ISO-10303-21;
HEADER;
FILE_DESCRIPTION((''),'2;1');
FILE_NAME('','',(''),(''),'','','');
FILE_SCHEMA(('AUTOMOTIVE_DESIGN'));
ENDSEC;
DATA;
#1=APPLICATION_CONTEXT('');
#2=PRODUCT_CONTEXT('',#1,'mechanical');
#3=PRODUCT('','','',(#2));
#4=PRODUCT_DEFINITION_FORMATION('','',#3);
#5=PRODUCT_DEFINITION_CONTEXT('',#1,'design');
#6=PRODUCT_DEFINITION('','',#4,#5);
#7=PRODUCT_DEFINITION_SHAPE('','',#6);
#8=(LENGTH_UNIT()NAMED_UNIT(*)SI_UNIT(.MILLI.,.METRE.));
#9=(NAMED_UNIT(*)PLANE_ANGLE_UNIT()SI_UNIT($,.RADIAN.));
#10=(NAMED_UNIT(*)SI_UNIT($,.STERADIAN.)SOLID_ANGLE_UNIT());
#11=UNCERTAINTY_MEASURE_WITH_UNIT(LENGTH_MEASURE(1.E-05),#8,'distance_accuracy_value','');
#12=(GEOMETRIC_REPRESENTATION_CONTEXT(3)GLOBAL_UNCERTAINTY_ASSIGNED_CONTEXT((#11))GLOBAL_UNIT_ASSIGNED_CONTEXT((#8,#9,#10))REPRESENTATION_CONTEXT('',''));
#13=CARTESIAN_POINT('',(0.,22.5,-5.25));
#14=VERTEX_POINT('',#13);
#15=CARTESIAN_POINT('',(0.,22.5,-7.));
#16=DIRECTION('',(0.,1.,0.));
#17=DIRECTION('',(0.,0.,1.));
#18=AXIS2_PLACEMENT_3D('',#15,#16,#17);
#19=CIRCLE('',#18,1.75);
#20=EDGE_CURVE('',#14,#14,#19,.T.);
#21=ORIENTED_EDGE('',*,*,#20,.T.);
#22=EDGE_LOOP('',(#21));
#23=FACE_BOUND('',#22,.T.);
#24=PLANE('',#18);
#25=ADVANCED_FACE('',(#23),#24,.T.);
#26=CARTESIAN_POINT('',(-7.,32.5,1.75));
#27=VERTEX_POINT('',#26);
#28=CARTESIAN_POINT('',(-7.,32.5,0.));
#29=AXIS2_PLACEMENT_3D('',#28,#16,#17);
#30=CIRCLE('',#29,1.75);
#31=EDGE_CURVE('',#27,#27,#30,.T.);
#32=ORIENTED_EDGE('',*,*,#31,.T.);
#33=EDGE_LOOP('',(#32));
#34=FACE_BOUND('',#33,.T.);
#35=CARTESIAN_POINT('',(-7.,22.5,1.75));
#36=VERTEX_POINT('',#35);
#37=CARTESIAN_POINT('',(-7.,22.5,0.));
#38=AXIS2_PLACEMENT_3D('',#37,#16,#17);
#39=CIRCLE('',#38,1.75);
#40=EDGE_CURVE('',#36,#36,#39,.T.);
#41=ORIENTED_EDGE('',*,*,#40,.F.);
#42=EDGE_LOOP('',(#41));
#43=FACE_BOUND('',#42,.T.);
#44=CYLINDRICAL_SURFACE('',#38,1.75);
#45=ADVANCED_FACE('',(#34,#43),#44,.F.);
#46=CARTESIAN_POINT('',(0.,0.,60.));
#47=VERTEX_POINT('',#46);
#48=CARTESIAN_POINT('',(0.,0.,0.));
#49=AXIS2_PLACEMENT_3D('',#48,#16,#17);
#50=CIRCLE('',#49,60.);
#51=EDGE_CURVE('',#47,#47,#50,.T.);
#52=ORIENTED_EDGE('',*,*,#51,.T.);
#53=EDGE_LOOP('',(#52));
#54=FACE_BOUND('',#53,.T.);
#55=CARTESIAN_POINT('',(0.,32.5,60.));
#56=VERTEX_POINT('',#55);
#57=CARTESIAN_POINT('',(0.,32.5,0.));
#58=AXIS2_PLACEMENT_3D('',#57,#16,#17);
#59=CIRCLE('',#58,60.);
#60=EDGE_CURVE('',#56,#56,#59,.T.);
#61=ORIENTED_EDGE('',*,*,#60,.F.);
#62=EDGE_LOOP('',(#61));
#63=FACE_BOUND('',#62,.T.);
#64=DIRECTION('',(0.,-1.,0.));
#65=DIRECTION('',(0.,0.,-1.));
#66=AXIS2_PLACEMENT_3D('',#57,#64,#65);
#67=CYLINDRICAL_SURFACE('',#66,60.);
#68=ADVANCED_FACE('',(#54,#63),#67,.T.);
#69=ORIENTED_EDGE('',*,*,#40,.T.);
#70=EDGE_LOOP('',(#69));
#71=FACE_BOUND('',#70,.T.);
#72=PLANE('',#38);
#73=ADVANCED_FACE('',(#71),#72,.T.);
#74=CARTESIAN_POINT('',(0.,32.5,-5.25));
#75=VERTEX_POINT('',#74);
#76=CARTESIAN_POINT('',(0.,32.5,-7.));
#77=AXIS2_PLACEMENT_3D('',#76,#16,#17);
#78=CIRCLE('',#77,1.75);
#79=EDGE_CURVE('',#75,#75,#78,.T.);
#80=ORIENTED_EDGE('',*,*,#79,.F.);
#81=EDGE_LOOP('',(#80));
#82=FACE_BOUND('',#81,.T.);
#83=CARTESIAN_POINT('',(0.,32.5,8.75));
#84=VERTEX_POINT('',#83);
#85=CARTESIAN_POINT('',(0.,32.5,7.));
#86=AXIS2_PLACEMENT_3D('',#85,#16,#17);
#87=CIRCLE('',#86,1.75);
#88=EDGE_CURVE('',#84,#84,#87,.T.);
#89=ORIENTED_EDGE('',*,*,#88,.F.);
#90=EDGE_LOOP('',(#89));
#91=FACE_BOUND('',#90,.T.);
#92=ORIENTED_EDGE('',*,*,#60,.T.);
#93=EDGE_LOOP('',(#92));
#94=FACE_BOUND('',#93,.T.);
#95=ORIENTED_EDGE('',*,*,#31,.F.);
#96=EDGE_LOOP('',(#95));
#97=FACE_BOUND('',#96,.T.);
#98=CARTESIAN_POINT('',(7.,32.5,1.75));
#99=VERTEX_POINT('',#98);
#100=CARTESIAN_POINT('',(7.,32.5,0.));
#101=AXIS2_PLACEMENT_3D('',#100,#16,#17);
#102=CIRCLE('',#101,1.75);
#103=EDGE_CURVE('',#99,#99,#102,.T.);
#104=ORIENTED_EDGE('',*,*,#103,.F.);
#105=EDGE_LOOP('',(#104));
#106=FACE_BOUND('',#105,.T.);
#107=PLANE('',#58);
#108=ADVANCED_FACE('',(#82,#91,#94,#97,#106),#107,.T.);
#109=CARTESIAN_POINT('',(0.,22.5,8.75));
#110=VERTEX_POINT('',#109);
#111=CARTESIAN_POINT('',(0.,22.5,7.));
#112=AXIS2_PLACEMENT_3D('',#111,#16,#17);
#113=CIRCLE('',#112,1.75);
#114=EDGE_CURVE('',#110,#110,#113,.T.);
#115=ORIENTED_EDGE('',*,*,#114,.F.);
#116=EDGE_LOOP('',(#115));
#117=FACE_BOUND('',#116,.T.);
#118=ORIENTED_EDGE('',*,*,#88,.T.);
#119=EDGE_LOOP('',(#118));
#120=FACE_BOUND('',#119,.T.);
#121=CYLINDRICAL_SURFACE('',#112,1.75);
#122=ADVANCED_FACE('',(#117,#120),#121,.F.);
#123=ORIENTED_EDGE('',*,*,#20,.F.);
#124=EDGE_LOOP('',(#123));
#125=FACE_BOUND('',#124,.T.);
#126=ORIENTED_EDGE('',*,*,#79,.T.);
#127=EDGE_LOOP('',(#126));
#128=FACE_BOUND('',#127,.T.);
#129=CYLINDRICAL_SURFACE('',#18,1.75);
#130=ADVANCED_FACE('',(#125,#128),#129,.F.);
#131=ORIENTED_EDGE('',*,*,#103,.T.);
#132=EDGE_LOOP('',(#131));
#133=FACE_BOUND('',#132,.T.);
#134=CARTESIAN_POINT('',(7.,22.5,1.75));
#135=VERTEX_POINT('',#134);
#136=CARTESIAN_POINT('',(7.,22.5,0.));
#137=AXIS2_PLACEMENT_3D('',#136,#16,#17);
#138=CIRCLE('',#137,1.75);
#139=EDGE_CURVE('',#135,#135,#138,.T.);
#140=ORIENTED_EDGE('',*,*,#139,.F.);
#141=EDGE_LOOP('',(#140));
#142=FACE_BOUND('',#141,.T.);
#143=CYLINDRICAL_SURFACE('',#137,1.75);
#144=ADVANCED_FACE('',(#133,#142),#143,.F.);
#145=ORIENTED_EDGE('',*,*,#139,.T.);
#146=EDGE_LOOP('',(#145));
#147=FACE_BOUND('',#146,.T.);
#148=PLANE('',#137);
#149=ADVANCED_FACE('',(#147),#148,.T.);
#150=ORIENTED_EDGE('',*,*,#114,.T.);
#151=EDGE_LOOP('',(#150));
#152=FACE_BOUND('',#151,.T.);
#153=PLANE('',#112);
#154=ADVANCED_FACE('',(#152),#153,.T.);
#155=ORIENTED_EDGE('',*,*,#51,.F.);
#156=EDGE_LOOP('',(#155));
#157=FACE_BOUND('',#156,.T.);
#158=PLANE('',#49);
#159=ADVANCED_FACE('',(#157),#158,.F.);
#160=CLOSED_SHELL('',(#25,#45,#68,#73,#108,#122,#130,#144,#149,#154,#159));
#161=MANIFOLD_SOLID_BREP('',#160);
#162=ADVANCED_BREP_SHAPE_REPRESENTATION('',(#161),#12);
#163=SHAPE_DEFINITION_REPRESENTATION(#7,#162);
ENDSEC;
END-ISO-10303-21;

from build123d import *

# Parameters (mm, degrees)
SKETCH_1_R          = 60
EXTRUDE_1_DEPTH     = 32.5
SKETCH_2_R          = 1.75
CUT_EXTRUDE_1_DEPTH = 10


with BuildPart() as part:
    # 草图1 → 凸台-拉伸1 (new body)
    with BuildSketch(Plane(origin=(0, 0, 0), x_dir=(1, 0, 0), z_dir=(0, 1, 0))):
        with Locations(Location((0, 0, 0), (0, 0, 270))):
            Circle(SKETCH_1_R)
    extrude(amount=EXTRUDE_1_DEPTH)

    # 草图2 → 切除-拉伸1 (cut)
    with BuildSketch(Plane(origin=(0, 32.5, 0), x_dir=(1, 0, 0), z_dir=(0, 1, 0))):
        with Locations(Location((7, 0, 0), (0, 0, 270))):
            Circle(SKETCH_2_R)
        with Locations(Location((0, -7, 0), (0, 0, 270))):
            Circle(SKETCH_2_R)
        with Locations(Location((-7, 0, 0), (0, 0, 270))):
            Circle(SKETCH_2_R)
        with Locations(Location((0, 7, 0), (0, 0, 270))):
            Circle(SKETCH_2_R)
    extrude(amount=-CUT_EXTRUDE_1_DEPTH, mode=Mode.SUBTRACT)


solid = part.part
